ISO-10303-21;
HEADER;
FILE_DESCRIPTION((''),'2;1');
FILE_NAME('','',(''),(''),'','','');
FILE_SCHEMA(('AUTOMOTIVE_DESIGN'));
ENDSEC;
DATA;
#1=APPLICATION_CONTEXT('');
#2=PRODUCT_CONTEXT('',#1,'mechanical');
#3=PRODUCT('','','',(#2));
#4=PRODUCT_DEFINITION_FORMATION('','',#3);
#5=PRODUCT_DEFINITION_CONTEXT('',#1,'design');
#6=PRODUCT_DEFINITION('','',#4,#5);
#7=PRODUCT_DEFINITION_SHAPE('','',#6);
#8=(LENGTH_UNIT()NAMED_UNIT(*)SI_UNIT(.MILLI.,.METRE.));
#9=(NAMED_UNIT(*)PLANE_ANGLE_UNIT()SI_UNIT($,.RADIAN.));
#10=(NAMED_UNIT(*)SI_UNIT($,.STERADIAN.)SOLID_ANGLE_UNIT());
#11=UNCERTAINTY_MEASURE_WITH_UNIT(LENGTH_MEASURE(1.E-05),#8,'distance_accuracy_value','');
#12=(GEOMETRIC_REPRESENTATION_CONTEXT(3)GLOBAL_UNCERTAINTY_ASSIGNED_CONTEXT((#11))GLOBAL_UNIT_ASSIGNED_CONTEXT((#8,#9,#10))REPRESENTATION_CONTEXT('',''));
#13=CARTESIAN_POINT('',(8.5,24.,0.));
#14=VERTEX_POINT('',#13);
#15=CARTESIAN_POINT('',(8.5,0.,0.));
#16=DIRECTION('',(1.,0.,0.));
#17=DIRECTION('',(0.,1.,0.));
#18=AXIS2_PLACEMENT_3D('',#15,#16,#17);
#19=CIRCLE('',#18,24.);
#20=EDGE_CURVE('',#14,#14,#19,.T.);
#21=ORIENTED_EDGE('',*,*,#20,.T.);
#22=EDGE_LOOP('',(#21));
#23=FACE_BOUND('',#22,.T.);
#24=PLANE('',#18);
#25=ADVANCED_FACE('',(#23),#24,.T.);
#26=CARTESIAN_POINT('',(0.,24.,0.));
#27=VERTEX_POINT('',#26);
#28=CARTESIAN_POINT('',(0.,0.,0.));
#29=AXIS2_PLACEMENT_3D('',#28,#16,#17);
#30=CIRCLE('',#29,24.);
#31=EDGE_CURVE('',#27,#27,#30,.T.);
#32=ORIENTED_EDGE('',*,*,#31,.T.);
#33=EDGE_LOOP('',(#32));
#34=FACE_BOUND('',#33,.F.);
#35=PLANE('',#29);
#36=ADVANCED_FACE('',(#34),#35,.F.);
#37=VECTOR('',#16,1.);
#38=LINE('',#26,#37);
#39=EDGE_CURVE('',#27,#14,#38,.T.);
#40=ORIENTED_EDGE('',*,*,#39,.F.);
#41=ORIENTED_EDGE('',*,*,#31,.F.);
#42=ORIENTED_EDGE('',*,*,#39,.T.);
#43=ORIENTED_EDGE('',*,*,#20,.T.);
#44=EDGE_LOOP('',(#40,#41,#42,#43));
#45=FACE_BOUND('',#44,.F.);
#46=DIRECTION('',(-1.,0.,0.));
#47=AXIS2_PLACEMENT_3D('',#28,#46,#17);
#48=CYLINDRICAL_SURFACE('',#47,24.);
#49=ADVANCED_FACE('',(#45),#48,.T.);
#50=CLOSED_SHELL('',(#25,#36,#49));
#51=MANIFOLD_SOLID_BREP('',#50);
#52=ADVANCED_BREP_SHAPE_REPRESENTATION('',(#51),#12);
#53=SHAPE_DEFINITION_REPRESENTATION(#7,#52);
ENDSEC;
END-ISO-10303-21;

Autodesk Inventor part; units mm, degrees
ref_plane "YZ Plane" through (0, 0, 0) normal (1, 0, 0) x (0, 1, 0)
ref_plane "XZ Plane" through (0, 0, 0) normal (0, 1, 0) x (-1, 0, 0)
ref_plane "XY Plane" through (0, 0, 0) normal (0, 0, 1) x (1, 0, 0)
sketch "Sketch1" plane through (0, 0, 0) normal (1, 0, 0) x (0, 1, 0)
  circle A0 centre (0, 0) radius 24
  dimension "d0" = 48
extrude "Extrusion1" add sketch "Sketch1" along normal blind 8.5
properties part number "Temp - Gear"
